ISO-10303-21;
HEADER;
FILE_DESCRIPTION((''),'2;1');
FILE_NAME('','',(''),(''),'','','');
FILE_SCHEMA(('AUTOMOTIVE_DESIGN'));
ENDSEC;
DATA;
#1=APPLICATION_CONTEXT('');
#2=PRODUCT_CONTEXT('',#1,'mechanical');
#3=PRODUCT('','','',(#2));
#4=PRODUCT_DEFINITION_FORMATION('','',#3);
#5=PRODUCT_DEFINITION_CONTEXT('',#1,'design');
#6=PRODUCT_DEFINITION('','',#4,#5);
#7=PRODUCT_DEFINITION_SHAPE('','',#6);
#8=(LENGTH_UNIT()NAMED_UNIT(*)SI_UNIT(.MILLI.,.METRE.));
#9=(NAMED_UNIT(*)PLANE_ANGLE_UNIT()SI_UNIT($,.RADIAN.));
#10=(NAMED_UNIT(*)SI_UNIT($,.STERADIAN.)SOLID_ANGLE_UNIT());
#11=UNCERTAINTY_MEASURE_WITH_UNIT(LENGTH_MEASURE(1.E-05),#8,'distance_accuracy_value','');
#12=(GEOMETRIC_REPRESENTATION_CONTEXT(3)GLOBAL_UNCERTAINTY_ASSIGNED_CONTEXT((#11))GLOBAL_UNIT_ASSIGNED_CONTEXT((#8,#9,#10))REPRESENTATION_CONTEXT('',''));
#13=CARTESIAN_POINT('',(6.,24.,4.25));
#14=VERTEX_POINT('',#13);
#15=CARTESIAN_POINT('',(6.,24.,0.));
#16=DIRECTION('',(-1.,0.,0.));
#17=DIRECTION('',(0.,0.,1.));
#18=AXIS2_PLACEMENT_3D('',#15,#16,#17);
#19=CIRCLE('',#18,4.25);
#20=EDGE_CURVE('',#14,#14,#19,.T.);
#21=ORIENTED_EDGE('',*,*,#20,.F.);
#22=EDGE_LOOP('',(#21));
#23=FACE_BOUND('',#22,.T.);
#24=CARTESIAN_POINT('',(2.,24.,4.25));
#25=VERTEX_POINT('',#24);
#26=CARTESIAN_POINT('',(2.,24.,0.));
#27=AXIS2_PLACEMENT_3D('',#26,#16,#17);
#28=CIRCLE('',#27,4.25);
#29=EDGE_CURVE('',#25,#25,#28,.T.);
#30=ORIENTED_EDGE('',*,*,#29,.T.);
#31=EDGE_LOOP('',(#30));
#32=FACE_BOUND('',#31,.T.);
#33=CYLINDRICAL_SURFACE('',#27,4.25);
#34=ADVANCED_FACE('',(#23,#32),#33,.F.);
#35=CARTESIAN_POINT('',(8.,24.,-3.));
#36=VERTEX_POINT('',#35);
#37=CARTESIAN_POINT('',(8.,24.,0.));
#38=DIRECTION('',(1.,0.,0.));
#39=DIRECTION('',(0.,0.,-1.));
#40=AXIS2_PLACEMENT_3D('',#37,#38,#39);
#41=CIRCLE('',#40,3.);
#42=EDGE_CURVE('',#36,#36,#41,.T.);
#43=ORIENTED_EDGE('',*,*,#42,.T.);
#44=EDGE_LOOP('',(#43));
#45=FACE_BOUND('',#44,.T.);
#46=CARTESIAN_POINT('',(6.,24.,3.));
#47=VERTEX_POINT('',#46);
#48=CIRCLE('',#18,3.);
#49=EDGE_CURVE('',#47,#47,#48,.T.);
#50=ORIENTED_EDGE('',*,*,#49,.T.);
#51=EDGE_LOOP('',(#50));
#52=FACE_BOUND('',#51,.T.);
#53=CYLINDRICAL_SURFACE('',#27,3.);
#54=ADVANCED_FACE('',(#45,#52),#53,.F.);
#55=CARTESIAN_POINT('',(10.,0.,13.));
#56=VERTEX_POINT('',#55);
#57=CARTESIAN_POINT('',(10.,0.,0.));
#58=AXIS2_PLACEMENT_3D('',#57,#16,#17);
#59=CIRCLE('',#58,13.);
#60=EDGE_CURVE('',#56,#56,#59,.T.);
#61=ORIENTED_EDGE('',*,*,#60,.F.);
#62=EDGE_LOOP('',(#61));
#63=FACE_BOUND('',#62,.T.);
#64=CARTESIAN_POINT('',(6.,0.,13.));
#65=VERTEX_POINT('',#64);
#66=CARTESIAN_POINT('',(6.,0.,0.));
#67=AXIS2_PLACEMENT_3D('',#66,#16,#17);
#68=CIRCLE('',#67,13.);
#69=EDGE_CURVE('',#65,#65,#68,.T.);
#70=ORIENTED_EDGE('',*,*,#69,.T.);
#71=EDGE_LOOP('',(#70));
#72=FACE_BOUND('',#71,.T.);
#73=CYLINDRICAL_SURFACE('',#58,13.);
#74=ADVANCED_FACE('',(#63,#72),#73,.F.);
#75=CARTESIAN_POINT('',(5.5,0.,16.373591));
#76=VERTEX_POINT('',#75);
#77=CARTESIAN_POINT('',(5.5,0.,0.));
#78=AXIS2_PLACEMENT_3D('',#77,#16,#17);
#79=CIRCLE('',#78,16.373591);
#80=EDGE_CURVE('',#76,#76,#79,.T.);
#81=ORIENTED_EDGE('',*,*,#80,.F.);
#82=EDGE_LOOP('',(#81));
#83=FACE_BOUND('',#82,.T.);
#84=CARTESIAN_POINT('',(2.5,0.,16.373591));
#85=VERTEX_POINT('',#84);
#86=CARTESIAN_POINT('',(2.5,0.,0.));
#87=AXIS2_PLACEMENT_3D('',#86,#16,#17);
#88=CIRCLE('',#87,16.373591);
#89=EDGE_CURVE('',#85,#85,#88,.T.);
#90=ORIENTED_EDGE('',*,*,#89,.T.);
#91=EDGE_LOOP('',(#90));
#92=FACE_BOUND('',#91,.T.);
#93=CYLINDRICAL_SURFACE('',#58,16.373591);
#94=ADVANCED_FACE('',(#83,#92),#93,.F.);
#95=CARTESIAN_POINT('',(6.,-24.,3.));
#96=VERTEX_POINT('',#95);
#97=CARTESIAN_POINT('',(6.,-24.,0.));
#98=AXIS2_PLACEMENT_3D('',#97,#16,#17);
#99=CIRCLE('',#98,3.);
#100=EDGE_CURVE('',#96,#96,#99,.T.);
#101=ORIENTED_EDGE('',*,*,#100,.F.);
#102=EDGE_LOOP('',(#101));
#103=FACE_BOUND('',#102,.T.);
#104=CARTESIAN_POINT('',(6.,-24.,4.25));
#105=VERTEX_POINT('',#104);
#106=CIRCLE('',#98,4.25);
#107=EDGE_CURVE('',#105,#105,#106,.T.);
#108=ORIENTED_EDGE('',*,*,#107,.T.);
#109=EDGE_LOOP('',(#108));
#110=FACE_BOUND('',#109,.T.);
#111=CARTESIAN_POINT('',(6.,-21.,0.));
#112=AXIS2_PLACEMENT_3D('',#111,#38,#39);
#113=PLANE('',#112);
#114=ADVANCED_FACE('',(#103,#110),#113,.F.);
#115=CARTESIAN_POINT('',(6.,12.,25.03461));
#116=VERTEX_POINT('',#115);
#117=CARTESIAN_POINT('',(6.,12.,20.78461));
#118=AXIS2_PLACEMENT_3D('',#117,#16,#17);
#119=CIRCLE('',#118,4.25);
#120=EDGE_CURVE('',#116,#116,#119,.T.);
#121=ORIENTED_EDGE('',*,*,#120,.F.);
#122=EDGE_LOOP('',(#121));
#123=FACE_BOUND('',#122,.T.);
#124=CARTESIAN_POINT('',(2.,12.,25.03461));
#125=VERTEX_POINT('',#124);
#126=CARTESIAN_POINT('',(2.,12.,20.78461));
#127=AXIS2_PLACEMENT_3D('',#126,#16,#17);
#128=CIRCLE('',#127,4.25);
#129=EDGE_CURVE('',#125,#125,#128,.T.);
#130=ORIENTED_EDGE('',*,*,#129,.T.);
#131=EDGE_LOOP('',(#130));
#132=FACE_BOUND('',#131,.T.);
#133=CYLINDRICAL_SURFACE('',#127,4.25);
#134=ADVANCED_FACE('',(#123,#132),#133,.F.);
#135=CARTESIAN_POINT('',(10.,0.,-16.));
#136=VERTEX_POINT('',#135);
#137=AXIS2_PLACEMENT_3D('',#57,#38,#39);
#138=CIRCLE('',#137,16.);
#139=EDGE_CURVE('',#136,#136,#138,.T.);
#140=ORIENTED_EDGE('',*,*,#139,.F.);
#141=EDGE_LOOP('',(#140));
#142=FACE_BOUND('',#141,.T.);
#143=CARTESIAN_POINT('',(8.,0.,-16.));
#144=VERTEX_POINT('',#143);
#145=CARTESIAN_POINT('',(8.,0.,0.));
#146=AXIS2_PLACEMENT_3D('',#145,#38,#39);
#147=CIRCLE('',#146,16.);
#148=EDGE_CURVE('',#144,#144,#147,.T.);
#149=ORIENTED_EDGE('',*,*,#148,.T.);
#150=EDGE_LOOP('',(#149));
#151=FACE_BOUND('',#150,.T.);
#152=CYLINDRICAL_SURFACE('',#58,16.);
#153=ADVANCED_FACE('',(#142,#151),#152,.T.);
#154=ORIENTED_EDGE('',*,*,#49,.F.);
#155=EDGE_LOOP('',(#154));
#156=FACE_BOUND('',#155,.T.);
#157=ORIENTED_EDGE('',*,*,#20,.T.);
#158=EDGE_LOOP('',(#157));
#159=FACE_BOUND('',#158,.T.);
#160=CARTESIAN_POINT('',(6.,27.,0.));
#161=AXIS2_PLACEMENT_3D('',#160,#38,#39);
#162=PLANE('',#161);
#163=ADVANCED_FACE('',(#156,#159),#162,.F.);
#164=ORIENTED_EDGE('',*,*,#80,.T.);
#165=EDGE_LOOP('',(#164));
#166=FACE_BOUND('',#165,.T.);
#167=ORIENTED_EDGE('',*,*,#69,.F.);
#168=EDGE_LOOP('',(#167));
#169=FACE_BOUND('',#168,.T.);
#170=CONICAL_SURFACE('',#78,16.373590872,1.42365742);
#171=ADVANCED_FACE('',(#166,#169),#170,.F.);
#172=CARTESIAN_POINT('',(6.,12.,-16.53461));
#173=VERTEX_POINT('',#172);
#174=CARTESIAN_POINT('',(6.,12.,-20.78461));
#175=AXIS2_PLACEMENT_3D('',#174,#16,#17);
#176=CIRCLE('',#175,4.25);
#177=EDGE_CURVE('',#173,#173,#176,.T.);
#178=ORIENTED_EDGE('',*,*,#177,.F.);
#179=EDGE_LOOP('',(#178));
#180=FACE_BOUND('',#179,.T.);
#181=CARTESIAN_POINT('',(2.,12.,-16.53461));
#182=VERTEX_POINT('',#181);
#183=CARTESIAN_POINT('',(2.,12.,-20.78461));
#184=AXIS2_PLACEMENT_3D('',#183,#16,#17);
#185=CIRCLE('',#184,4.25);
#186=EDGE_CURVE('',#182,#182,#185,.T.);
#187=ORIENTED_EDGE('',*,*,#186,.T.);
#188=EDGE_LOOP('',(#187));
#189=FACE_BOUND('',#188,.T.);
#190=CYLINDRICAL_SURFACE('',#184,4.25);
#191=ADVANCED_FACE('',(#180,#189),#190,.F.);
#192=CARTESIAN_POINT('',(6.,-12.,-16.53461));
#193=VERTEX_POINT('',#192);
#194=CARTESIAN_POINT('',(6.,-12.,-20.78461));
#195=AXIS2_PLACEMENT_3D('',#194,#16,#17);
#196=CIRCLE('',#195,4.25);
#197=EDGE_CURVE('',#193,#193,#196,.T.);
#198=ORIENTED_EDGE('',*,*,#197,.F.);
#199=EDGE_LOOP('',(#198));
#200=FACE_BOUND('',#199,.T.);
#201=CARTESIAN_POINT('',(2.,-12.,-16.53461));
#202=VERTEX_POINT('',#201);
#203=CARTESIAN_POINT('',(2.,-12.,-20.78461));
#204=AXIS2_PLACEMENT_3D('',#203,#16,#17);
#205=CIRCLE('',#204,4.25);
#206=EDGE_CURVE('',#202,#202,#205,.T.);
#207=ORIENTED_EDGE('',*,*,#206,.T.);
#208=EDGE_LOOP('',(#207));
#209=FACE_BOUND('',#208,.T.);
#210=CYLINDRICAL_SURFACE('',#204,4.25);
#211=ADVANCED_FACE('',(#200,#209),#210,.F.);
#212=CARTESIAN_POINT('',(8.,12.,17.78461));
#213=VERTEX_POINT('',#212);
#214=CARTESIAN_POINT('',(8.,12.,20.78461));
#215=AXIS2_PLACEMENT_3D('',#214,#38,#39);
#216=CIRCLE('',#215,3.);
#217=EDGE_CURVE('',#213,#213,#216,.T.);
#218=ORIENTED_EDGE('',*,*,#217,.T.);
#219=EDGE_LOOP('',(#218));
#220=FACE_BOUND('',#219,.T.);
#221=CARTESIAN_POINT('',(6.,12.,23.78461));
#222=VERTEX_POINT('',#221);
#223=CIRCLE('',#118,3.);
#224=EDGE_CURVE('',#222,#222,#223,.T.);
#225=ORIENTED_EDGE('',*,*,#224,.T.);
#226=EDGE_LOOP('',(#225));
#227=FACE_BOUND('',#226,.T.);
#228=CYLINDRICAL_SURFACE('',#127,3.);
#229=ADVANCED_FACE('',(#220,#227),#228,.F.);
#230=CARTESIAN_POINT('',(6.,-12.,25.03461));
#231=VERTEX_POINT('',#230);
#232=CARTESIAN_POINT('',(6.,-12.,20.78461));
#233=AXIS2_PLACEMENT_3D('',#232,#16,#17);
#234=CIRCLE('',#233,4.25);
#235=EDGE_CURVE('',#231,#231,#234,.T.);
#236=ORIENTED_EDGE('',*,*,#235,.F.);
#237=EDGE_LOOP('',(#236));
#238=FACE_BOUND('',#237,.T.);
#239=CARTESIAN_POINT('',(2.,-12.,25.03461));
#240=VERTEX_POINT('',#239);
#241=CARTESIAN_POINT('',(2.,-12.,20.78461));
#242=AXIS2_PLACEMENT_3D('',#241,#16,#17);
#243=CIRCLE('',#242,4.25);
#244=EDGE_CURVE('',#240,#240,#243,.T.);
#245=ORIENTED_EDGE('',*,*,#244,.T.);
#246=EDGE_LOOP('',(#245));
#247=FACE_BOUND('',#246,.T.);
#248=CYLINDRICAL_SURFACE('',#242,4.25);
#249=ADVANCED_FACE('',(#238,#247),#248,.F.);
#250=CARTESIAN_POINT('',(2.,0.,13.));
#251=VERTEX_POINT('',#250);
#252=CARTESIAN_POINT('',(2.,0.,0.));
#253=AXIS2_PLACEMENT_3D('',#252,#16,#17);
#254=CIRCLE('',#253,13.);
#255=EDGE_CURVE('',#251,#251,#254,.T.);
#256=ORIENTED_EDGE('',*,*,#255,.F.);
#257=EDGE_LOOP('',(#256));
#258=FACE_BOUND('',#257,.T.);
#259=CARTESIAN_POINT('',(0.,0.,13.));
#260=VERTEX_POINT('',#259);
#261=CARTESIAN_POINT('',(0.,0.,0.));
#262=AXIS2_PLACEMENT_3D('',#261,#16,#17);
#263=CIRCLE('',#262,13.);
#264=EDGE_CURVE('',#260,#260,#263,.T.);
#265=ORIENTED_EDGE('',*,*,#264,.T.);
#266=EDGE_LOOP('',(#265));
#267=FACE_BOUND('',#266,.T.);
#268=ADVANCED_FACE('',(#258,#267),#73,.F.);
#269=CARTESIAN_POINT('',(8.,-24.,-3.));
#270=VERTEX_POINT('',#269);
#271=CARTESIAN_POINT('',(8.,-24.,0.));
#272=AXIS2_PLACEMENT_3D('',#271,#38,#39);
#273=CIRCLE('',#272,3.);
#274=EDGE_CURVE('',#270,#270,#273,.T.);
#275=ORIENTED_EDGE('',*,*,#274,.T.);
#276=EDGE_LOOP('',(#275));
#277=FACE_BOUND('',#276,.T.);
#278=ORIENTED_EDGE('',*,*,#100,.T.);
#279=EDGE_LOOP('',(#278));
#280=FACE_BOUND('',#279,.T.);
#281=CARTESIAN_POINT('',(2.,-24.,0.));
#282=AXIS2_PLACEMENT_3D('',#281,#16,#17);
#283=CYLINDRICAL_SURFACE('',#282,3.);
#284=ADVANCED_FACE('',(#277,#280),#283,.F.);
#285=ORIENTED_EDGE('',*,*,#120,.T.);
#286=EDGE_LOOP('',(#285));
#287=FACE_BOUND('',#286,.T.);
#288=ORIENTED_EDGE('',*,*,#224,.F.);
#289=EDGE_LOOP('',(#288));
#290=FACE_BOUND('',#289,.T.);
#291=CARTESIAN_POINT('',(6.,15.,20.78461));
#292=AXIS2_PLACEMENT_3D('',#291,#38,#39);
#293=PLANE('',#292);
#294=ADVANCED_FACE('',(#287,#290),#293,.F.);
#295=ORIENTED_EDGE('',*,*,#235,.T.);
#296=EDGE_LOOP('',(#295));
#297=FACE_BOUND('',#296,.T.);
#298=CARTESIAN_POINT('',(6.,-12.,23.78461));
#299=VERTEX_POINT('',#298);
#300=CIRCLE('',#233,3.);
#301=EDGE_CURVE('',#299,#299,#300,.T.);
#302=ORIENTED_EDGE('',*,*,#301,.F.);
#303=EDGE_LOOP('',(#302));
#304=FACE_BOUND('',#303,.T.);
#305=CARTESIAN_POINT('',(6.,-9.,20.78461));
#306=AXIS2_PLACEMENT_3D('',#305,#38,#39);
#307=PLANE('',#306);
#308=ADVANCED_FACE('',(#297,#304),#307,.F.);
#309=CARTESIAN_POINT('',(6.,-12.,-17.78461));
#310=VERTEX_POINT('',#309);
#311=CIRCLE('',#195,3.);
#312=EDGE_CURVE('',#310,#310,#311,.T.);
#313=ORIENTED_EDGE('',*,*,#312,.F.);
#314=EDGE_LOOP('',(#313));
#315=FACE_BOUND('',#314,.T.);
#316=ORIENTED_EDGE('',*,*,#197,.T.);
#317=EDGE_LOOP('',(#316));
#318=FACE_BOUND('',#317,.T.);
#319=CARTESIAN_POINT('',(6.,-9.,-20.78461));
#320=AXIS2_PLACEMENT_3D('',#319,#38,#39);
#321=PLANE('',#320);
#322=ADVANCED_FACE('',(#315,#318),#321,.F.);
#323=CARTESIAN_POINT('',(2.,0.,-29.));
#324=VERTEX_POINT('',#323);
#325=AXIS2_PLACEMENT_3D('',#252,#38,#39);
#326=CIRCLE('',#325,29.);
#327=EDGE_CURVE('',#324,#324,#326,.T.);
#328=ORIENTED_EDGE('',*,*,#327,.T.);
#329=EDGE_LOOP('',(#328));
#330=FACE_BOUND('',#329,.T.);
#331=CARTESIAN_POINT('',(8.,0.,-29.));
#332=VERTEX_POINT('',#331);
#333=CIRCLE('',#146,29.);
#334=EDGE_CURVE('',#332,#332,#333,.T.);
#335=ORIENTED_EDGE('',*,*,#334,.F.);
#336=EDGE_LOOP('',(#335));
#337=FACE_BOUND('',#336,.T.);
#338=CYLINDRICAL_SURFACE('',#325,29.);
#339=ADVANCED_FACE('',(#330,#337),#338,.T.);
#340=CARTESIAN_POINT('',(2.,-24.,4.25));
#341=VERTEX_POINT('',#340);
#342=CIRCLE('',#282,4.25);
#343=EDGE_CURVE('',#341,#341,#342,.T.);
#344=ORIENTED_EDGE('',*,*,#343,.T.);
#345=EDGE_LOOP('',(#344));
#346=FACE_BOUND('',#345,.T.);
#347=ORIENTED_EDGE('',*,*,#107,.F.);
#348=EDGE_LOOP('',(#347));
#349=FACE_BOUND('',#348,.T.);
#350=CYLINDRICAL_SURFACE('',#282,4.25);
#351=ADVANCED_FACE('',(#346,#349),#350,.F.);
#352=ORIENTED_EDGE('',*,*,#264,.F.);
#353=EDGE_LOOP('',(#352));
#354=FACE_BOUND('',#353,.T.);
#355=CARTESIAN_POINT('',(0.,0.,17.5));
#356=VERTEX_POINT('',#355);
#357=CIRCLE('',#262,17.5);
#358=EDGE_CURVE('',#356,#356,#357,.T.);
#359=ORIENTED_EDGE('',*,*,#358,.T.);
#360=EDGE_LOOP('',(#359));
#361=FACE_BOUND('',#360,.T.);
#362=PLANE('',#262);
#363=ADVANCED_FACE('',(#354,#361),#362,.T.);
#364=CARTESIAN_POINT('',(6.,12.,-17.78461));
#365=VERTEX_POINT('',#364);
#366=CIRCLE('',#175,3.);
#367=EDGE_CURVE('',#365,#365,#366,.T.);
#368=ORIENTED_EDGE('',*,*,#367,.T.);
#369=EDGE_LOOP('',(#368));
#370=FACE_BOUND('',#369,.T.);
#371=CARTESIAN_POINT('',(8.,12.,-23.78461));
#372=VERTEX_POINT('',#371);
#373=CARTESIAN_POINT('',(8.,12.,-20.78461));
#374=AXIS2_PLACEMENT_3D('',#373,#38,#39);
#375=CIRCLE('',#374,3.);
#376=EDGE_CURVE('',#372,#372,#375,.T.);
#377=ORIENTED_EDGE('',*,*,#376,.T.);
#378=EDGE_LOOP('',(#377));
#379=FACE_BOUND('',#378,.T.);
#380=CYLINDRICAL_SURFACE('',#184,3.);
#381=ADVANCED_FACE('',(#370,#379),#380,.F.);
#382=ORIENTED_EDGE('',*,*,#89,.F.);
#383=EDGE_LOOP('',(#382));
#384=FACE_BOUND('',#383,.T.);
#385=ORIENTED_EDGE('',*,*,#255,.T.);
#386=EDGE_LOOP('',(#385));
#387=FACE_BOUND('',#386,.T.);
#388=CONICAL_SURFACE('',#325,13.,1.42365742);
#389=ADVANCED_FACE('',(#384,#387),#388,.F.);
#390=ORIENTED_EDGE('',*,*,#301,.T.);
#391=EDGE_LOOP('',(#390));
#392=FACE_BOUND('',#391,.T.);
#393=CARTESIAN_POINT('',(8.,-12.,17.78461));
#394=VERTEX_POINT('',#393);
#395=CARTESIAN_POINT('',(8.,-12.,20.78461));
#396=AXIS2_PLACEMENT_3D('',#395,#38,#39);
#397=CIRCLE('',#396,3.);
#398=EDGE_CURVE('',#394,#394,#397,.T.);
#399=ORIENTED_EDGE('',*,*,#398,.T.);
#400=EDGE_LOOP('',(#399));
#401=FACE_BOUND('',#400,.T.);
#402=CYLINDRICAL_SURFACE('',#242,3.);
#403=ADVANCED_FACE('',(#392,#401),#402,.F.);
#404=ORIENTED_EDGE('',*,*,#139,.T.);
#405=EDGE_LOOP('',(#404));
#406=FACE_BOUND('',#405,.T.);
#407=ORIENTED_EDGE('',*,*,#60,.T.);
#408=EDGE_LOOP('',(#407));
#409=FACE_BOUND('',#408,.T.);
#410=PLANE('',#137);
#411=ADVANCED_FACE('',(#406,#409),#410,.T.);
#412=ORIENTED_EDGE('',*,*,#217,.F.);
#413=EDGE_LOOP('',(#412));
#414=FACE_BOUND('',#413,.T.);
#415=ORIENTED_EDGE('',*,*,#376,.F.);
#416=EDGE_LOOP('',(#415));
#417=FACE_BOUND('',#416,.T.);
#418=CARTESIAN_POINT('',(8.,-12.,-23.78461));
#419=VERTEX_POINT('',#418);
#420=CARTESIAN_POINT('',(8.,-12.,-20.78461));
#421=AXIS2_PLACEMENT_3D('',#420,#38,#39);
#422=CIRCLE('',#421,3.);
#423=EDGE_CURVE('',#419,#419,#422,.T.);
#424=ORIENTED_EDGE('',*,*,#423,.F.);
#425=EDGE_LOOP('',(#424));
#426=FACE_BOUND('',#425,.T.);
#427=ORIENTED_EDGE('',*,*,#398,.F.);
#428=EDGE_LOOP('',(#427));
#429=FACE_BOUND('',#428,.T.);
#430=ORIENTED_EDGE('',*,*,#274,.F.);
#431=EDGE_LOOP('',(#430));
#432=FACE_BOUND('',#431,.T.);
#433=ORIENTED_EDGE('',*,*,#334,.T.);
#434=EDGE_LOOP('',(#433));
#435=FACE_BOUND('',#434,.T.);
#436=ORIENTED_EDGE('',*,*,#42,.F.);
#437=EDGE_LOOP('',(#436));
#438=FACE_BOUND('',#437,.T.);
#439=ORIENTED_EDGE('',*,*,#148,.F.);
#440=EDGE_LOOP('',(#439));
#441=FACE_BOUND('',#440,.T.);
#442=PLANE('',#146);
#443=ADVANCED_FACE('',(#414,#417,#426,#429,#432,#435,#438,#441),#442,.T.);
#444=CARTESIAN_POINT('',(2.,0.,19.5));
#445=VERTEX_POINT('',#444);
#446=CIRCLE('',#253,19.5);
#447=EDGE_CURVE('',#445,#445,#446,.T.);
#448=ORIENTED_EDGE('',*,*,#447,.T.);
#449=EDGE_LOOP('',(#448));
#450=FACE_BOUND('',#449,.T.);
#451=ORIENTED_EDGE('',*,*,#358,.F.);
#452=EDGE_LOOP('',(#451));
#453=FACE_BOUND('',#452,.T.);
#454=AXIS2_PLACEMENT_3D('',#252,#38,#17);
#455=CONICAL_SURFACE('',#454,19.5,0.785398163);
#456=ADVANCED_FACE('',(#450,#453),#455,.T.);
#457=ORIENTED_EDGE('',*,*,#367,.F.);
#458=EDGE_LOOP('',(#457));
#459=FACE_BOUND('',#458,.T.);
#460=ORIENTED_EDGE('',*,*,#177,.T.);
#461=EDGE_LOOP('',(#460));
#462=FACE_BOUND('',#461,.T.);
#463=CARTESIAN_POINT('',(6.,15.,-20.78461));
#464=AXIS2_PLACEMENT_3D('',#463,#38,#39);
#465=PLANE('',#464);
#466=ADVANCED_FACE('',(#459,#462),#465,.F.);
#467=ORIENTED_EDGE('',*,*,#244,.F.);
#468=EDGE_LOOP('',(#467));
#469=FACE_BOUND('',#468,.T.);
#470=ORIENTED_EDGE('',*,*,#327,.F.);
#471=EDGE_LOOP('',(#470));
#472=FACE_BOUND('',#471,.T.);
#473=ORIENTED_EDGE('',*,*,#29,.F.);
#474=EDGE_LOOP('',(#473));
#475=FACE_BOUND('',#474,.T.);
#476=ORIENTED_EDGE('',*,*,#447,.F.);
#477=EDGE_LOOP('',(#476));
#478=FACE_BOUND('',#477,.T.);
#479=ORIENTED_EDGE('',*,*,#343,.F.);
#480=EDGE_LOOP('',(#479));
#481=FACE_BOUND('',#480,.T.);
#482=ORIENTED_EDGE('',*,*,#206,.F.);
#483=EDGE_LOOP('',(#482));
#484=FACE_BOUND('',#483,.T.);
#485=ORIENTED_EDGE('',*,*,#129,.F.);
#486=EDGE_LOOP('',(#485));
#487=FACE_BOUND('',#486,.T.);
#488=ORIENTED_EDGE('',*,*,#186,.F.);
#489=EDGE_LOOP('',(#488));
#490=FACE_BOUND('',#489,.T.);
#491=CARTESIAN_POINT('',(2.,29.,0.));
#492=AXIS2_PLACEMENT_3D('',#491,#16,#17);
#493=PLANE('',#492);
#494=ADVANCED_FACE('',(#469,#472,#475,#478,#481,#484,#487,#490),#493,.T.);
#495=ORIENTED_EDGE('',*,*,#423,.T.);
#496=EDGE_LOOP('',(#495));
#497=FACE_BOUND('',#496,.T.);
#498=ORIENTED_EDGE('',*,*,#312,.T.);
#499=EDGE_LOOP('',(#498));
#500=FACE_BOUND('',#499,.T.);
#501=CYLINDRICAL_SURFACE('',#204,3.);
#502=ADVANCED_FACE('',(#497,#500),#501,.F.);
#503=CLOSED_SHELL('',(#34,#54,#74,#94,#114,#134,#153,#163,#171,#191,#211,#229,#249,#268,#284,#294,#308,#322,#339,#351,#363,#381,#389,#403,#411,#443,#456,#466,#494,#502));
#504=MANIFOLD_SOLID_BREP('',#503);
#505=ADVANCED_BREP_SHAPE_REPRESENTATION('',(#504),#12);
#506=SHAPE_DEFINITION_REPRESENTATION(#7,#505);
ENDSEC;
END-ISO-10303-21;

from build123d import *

# Parameters (mm, degrees)
SKETCH_1_W                = 6
SKETCH_1_H                = 29
SKETCH_2_R                = 19.5
EXTRUDE_1_DEPTH           = 2
EXTRUDE_1_TAPER           = 45
SKETCH_3_R                = 16
EXTRUDE_2_DEPTH           = 2
HOLE_WIZARD_1_D           = 6
HOLE_WIZARD_1_DEPTH       = 8
HOLE_WIZARD_1_CBORE_D     = 8.5
HOLE_WIZARD_1_CBORE_DEPTH = 4


with BuildPart() as part:
    # Эскиз1 → Повернуть1 (revolve)
    with BuildSketch(Plane.XY, mode=Mode.PRIVATE) as revolve_1_sk:
        with Locations((5, 14.5)):
            Rectangle(SKETCH_1_W, SKETCH_1_H)
    revolve(revolve_1_sk.sketch.rotate(Axis((2, 0, 0), (1, 0, 0)), 270), axis=Axis((2, 0, 0), (1, 0, 0)))

    # Эскиз2 → Бобышка-Вытянуть1 (add)
    with BuildSketch(Plane.ZY.offset(-2)):
        Circle(SKETCH_2_R)
    extrude(amount=EXTRUDE_1_DEPTH, taper=EXTRUDE_1_TAPER)

    # Эскиз3 → Бобышка-Вытянуть2 (add)
    with BuildSketch(Plane(origin=(8, 0, 0), x_dir=(0, 0, -1), z_dir=(1, 0, 0))):
        Circle(SKETCH_3_R)
    extrude(amount=EXTRUDE_2_DEPTH)

    # Эскиз4 → Вырез-Повернуть1 (revolve, cut)
    with BuildSketch(Plane(origin=(0, 0, 0), x_dir=(-1, 0, 0), z_dir=(0, 0, -1)), mode=Mode.PRIVATE) as cut_revolve_1_sk:
        Polygon((-10, 13), (-10, 0), (0, 0), (0, 13), (-2, 13), (-2.5, 16.373590872), (-5.5, 16.373590872), (-6, 13), align=None)
    revolve(cut_revolve_1_sk.sketch.rotate(Axis((10, 0, 0), (-1, 0, 0)), 270), axis=Axis((10, 0, 0), (-1, 0, 0)), mode=Mode.SUBTRACT)

    # Отверстие1
    with Locations(Plane.ZY.offset(-2)):
        with Locations((20.784609691, -12), (0, -24), (-20.784609691, -12), (-20.784609691, 12), (0, 24), (20.784609691, 12)):
            CounterBoreHole(HOLE_WIZARD_1_D / 2, HOLE_WIZARD_1_CBORE_D / 2, HOLE_WIZARD_1_CBORE_DEPTH, depth=HOLE_WIZARD_1_DEPTH)


solid = part.part
